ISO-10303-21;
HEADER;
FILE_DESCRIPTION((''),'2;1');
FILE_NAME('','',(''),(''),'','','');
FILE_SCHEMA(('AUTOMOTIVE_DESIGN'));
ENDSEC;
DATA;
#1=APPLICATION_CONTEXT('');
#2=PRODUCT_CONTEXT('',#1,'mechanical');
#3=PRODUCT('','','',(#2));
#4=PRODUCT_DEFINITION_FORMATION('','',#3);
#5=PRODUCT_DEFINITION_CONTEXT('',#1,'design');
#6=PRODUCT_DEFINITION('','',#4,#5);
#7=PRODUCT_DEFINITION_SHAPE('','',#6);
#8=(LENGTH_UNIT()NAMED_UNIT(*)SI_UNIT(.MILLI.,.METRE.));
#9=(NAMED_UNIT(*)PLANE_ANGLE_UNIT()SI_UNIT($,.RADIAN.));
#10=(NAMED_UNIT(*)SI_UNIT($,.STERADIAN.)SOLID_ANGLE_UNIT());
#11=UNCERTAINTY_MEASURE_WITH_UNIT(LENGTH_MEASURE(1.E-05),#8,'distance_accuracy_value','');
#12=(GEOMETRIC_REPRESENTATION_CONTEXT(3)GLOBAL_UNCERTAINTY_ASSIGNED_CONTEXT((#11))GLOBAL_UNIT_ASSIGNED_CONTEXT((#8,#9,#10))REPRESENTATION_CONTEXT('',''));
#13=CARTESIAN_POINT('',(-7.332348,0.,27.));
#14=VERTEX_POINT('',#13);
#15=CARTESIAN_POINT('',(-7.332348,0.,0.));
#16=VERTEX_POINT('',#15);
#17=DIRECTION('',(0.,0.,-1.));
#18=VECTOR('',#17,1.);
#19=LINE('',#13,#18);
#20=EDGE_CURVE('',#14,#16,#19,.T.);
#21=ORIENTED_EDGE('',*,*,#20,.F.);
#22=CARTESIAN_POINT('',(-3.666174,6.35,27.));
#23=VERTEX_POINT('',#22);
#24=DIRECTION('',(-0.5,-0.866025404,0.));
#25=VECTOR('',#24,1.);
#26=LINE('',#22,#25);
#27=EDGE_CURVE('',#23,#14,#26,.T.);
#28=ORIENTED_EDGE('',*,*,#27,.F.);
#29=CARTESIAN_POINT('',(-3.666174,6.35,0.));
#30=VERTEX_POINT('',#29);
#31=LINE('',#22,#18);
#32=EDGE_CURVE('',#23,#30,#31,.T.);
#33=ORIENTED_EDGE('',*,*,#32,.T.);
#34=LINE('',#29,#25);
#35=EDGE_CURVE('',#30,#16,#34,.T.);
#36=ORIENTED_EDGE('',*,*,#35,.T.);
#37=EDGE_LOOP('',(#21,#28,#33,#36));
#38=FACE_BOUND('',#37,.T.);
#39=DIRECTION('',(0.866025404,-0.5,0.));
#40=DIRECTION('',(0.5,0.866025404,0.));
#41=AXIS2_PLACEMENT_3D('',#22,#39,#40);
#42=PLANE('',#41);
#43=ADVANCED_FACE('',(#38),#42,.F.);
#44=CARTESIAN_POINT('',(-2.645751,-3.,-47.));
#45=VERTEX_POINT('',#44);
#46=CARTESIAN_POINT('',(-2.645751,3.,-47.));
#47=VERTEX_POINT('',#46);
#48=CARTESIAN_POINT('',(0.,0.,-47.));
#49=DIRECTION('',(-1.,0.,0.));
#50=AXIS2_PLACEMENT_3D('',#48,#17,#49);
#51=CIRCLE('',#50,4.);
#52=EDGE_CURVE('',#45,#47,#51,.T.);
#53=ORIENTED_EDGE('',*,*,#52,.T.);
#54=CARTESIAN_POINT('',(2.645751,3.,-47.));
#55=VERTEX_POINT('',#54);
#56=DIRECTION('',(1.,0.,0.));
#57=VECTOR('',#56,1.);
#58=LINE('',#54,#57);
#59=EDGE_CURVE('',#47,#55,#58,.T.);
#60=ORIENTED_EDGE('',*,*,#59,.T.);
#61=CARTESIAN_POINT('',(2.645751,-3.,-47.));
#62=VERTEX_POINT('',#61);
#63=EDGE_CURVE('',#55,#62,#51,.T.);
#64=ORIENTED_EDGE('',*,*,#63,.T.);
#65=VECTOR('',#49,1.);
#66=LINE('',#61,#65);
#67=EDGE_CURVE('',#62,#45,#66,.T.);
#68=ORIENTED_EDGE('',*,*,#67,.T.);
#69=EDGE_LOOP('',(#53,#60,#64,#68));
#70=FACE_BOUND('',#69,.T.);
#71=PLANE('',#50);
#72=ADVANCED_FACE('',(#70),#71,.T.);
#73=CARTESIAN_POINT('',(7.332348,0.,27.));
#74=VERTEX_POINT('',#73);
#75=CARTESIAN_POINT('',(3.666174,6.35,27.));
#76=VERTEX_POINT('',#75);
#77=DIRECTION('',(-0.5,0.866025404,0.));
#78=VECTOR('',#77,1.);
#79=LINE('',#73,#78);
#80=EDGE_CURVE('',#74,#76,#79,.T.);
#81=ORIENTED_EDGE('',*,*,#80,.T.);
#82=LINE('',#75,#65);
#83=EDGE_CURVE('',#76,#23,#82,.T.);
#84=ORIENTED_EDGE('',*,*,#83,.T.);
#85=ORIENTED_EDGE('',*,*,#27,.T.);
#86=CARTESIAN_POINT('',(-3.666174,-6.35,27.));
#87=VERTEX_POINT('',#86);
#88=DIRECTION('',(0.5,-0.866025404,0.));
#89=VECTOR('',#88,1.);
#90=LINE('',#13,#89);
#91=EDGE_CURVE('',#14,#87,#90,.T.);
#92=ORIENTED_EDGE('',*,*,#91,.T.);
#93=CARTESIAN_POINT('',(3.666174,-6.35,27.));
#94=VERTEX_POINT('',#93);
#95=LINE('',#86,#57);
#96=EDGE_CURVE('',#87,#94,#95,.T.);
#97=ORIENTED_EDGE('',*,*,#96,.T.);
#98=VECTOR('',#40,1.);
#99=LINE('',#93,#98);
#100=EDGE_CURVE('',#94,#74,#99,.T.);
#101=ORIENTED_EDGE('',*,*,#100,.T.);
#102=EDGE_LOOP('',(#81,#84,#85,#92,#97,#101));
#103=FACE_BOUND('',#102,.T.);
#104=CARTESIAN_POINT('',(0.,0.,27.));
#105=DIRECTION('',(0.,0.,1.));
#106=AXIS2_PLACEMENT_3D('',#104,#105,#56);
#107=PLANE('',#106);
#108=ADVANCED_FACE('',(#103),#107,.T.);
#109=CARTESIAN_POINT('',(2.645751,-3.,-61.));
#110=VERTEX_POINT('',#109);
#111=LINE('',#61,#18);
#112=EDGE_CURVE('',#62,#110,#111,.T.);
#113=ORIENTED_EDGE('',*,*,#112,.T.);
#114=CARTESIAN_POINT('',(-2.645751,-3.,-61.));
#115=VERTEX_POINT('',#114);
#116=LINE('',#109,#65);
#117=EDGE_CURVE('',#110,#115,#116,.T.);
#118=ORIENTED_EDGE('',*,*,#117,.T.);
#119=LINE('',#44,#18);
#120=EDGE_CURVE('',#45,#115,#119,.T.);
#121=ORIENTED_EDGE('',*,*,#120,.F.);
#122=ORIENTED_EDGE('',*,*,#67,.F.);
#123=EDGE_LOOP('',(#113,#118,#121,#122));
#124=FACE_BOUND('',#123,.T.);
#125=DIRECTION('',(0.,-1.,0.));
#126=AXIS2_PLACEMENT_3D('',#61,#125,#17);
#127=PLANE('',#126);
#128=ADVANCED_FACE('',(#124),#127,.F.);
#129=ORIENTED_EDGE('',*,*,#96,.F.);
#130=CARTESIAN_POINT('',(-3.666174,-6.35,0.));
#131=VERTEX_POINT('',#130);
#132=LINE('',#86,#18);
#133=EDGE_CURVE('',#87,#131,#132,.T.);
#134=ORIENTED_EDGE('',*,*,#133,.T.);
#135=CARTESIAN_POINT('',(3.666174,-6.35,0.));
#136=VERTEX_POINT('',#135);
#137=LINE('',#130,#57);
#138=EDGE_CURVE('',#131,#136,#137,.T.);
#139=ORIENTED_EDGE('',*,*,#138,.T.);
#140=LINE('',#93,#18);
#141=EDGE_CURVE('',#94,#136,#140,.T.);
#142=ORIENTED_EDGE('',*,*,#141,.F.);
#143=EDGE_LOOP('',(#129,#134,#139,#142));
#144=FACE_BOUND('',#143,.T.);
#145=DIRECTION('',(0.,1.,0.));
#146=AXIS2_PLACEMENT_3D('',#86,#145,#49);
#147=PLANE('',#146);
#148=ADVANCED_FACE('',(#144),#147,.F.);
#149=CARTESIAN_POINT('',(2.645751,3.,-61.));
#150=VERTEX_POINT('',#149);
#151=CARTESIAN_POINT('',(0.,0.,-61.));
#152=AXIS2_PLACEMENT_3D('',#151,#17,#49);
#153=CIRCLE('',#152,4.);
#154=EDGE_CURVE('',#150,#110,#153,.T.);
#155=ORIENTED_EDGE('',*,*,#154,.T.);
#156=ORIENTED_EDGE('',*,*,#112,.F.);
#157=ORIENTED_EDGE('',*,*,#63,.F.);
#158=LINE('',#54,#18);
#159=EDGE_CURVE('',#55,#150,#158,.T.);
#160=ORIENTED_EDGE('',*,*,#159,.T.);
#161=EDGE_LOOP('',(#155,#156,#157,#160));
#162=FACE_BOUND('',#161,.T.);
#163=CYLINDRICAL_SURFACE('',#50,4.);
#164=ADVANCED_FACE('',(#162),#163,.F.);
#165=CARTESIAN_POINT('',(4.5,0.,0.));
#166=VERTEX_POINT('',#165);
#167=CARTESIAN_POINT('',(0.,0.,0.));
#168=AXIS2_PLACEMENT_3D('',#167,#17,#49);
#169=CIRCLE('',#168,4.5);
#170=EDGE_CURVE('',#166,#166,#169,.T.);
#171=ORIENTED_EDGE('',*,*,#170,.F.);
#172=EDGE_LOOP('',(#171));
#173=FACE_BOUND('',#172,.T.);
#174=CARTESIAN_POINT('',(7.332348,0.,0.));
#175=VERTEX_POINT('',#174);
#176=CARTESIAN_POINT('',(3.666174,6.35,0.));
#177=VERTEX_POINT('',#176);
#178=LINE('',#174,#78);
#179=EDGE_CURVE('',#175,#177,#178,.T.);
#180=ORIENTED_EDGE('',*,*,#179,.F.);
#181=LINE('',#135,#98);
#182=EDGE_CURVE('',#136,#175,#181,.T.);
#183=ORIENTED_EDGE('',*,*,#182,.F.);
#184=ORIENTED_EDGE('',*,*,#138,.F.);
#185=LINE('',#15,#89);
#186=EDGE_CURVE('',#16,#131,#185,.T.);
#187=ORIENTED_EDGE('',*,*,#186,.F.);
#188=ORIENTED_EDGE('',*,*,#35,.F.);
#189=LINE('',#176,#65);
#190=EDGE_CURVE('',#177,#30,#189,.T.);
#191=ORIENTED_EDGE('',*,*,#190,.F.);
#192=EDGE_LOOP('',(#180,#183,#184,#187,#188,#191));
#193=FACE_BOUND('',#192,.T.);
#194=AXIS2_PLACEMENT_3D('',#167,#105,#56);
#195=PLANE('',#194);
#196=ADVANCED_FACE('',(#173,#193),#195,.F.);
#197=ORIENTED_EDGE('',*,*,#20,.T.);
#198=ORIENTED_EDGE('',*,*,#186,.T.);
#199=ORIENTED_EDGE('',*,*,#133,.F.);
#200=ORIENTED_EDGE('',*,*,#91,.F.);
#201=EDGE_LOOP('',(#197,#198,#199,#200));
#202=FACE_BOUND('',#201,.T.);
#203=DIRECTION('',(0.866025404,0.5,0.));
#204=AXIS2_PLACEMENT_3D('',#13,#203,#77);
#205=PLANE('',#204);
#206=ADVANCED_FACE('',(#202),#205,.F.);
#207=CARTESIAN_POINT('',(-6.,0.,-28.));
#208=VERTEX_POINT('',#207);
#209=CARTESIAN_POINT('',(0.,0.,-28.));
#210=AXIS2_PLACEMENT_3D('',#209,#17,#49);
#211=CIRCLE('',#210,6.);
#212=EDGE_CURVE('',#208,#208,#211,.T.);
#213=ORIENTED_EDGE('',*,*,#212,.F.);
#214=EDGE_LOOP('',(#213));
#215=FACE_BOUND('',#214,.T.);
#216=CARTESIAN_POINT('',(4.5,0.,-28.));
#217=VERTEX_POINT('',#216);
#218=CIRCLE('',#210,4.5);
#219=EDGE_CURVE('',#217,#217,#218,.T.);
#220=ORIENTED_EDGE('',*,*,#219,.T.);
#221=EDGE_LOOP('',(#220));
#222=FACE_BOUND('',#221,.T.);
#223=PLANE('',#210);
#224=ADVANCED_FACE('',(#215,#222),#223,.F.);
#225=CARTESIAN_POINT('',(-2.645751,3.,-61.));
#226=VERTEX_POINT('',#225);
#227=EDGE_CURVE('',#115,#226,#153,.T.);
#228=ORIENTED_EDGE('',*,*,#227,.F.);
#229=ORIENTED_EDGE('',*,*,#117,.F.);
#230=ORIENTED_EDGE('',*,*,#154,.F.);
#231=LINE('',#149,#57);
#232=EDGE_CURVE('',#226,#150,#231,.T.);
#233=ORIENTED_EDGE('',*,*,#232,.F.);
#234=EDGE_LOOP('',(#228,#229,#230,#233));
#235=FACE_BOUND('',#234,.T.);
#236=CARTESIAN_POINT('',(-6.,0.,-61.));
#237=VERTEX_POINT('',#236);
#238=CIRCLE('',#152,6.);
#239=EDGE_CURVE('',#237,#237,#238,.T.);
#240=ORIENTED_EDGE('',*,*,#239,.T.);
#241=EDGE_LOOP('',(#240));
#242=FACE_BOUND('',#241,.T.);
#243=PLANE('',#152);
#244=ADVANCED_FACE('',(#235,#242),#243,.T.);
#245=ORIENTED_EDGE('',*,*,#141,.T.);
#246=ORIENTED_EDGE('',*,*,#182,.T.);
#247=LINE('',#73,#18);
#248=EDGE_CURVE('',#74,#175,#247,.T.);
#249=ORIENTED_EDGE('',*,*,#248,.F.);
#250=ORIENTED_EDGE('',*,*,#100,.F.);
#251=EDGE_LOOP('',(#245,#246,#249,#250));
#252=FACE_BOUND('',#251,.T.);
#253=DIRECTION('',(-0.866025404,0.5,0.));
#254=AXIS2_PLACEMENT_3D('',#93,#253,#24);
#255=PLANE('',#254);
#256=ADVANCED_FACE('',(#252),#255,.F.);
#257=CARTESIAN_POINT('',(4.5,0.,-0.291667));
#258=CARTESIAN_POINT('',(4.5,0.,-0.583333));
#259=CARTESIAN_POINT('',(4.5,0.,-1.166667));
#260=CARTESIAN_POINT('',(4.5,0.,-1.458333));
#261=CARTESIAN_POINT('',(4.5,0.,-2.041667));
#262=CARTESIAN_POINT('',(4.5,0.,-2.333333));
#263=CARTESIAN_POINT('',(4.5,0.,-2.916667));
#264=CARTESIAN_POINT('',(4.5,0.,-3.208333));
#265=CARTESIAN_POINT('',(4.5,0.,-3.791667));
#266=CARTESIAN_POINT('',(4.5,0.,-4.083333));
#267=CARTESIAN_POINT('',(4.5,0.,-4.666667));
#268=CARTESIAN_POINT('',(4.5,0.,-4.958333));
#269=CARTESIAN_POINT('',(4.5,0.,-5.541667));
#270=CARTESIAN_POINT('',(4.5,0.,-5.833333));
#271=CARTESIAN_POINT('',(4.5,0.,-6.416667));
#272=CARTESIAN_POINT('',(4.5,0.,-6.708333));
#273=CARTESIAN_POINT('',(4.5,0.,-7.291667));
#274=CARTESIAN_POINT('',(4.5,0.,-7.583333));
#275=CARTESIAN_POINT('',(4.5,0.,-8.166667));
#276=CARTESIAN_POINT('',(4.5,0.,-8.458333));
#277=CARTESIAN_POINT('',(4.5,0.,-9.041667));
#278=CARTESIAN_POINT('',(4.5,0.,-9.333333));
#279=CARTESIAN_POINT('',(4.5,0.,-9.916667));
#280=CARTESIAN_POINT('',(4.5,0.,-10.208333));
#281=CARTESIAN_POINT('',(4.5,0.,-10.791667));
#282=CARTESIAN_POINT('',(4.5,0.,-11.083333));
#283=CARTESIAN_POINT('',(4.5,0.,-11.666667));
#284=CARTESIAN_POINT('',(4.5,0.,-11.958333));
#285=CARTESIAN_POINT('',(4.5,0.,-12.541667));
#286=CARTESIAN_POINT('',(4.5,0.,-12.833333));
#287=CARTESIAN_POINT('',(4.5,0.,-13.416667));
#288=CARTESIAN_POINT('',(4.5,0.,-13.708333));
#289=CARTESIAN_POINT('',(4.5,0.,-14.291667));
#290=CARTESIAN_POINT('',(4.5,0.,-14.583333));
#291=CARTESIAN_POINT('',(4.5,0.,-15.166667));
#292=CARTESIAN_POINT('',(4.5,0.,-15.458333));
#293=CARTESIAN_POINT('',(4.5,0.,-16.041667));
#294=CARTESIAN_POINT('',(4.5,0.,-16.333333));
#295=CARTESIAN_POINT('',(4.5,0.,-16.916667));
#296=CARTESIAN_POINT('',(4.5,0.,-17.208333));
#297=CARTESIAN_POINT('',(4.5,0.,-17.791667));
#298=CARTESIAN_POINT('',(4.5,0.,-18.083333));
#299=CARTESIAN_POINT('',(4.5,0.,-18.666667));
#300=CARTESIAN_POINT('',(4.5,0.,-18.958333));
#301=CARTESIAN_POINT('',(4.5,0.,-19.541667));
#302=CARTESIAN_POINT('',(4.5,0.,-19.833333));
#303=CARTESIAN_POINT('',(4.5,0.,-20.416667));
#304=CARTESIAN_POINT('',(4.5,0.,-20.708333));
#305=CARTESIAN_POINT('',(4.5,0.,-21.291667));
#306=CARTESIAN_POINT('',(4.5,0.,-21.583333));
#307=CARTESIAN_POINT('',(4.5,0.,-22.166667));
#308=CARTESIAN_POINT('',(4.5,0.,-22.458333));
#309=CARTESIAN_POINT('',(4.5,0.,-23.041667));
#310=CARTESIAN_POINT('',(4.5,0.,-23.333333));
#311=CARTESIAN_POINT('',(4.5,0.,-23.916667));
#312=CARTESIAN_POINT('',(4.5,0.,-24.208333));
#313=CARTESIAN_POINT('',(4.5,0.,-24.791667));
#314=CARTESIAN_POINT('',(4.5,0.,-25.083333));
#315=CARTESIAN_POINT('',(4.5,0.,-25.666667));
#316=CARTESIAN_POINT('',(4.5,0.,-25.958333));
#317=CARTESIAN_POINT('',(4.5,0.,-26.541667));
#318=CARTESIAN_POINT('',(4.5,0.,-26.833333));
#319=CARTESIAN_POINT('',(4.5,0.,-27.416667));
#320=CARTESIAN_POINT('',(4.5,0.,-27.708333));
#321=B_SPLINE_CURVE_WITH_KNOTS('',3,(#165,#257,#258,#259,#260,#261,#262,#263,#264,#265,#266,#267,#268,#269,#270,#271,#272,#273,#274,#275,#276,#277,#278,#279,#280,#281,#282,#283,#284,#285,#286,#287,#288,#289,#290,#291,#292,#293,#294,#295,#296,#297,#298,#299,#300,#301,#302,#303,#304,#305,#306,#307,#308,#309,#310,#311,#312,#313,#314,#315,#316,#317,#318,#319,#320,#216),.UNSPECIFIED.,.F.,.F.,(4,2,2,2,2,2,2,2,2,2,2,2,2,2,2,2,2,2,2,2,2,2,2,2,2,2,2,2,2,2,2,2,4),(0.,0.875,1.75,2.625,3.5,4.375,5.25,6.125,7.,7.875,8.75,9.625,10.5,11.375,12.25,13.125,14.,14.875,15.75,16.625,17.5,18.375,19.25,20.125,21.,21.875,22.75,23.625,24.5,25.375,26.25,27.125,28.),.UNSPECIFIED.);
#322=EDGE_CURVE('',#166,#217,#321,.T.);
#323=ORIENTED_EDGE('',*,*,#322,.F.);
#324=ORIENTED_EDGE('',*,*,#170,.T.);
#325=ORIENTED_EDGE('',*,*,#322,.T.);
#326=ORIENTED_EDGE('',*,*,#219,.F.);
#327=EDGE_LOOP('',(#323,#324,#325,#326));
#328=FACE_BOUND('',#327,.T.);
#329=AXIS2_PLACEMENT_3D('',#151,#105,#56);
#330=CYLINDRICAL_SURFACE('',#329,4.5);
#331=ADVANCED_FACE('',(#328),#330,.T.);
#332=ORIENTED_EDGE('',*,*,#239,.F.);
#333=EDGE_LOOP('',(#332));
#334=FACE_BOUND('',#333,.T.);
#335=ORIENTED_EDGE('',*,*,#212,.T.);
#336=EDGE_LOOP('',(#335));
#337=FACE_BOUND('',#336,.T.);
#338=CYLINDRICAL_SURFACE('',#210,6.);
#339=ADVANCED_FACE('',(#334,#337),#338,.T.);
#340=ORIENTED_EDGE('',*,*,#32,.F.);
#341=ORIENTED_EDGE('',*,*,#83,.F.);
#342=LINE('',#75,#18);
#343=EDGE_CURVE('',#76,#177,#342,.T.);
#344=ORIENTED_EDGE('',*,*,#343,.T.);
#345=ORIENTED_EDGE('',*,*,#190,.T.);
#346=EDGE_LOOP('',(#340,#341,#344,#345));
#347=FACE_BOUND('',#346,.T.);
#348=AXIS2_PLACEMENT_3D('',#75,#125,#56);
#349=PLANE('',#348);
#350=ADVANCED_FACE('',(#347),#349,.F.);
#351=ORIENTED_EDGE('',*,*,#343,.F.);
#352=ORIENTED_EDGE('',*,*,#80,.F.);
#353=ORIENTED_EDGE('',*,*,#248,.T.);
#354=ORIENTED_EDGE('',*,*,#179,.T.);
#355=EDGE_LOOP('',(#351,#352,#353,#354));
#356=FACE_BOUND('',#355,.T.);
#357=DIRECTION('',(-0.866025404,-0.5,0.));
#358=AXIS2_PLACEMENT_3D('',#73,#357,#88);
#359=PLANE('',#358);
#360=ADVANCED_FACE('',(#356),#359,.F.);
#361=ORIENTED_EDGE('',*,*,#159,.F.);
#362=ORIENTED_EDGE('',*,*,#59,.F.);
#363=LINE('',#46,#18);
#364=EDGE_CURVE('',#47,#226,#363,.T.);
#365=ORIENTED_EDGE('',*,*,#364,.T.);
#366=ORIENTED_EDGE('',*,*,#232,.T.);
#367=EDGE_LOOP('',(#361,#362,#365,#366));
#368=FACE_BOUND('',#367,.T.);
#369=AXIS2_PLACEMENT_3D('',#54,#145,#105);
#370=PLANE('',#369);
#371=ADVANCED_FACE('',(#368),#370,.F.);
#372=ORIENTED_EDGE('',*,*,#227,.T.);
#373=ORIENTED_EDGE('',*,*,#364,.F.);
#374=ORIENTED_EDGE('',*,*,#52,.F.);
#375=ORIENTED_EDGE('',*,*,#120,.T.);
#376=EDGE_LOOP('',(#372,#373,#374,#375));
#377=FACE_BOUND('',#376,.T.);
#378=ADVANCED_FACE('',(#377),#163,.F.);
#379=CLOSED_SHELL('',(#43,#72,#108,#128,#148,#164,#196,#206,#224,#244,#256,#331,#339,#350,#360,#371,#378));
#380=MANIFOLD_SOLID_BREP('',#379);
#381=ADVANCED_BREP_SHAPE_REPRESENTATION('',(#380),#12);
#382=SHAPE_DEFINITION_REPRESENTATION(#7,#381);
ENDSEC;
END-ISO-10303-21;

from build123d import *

# Parameters (mm, degrees)
BOSS_EXTRUDE1_DEPTH = 27
SKETCH2_R           = 4.5
BOSS_EXTRUDE2_DEPTH = 61
CUT_EXTRUDE1_DEPTH  = 14
SKETCH4_R           = 6
BOSS_EXTRUDE3_DEPTH = 33


with BuildPart() as part:
    # Sketch1 → Boss-Extrude1 (new body)
    with BuildSketch(Plane.XY):
        Polygon((3.666174209, -6.35), (7.332348419, 0), (3.666174209, 6.35), (-3.666174209, 6.35), (-7.332348419, 0), (-3.666174209, -6.35), align=None)
    extrude(amount=BOSS_EXTRUDE1_DEPTH)

    # Sketch2 → Boss-Extrude2 (add)
    with BuildSketch(Plane(origin=(0, 0, 0), x_dir=(-1, 0, 0), z_dir=(0, 0, -1))):
        with Locations(Location((0, 0, 0), (0, 0, 180))):
            Circle(SKETCH2_R)
    extrude(amount=BOSS_EXTRUDE2_DEPTH)

    # Sketch3 → Cut-Extrude1 (cut)
    with BuildSketch(Plane(origin=(0, 0, -61), x_dir=(-1, 0, 0), z_dir=(0, 0, -1))):
        with BuildLine():
            Line((-2.645751311, 3), (2.645751311, 3))
            ThreePointArc((2.645751311, 3), (4, 0), (2.645751311, -3))
            Line((2.645751311, -3), (-2.645751311, -3))
            ThreePointArc((-2.645751311, -3), (-4, 0), (-2.645751311, 3))
        make_face()
    extrude(amount=-CUT_EXTRUDE1_DEPTH, mode=Mode.SUBTRACT)

    # Sketch4 → Boss-Extrude3 (add)
    with BuildSketch(Plane(origin=(0, 0, -61), x_dir=(-1, 0, 0), z_dir=(0, 0, -1))):
        Circle(SKETCH4_R)
        with BuildLine():
            Line((-2.645751311, -3), (2.645751311, -3))
            ThreePointArc((2.645751311, -3), (4, 0), (2.645751311, 3))
            Line((2.645751311, 3), (-2.645751311, 3))
            ThreePointArc((-2.645751311, 3), (-4, 0), (-2.645751311, -3))
        make_face(mode=Mode.SUBTRACT)
    extrude(amount=-BOSS_EXTRUDE3_DEPTH)


solid = part.part
